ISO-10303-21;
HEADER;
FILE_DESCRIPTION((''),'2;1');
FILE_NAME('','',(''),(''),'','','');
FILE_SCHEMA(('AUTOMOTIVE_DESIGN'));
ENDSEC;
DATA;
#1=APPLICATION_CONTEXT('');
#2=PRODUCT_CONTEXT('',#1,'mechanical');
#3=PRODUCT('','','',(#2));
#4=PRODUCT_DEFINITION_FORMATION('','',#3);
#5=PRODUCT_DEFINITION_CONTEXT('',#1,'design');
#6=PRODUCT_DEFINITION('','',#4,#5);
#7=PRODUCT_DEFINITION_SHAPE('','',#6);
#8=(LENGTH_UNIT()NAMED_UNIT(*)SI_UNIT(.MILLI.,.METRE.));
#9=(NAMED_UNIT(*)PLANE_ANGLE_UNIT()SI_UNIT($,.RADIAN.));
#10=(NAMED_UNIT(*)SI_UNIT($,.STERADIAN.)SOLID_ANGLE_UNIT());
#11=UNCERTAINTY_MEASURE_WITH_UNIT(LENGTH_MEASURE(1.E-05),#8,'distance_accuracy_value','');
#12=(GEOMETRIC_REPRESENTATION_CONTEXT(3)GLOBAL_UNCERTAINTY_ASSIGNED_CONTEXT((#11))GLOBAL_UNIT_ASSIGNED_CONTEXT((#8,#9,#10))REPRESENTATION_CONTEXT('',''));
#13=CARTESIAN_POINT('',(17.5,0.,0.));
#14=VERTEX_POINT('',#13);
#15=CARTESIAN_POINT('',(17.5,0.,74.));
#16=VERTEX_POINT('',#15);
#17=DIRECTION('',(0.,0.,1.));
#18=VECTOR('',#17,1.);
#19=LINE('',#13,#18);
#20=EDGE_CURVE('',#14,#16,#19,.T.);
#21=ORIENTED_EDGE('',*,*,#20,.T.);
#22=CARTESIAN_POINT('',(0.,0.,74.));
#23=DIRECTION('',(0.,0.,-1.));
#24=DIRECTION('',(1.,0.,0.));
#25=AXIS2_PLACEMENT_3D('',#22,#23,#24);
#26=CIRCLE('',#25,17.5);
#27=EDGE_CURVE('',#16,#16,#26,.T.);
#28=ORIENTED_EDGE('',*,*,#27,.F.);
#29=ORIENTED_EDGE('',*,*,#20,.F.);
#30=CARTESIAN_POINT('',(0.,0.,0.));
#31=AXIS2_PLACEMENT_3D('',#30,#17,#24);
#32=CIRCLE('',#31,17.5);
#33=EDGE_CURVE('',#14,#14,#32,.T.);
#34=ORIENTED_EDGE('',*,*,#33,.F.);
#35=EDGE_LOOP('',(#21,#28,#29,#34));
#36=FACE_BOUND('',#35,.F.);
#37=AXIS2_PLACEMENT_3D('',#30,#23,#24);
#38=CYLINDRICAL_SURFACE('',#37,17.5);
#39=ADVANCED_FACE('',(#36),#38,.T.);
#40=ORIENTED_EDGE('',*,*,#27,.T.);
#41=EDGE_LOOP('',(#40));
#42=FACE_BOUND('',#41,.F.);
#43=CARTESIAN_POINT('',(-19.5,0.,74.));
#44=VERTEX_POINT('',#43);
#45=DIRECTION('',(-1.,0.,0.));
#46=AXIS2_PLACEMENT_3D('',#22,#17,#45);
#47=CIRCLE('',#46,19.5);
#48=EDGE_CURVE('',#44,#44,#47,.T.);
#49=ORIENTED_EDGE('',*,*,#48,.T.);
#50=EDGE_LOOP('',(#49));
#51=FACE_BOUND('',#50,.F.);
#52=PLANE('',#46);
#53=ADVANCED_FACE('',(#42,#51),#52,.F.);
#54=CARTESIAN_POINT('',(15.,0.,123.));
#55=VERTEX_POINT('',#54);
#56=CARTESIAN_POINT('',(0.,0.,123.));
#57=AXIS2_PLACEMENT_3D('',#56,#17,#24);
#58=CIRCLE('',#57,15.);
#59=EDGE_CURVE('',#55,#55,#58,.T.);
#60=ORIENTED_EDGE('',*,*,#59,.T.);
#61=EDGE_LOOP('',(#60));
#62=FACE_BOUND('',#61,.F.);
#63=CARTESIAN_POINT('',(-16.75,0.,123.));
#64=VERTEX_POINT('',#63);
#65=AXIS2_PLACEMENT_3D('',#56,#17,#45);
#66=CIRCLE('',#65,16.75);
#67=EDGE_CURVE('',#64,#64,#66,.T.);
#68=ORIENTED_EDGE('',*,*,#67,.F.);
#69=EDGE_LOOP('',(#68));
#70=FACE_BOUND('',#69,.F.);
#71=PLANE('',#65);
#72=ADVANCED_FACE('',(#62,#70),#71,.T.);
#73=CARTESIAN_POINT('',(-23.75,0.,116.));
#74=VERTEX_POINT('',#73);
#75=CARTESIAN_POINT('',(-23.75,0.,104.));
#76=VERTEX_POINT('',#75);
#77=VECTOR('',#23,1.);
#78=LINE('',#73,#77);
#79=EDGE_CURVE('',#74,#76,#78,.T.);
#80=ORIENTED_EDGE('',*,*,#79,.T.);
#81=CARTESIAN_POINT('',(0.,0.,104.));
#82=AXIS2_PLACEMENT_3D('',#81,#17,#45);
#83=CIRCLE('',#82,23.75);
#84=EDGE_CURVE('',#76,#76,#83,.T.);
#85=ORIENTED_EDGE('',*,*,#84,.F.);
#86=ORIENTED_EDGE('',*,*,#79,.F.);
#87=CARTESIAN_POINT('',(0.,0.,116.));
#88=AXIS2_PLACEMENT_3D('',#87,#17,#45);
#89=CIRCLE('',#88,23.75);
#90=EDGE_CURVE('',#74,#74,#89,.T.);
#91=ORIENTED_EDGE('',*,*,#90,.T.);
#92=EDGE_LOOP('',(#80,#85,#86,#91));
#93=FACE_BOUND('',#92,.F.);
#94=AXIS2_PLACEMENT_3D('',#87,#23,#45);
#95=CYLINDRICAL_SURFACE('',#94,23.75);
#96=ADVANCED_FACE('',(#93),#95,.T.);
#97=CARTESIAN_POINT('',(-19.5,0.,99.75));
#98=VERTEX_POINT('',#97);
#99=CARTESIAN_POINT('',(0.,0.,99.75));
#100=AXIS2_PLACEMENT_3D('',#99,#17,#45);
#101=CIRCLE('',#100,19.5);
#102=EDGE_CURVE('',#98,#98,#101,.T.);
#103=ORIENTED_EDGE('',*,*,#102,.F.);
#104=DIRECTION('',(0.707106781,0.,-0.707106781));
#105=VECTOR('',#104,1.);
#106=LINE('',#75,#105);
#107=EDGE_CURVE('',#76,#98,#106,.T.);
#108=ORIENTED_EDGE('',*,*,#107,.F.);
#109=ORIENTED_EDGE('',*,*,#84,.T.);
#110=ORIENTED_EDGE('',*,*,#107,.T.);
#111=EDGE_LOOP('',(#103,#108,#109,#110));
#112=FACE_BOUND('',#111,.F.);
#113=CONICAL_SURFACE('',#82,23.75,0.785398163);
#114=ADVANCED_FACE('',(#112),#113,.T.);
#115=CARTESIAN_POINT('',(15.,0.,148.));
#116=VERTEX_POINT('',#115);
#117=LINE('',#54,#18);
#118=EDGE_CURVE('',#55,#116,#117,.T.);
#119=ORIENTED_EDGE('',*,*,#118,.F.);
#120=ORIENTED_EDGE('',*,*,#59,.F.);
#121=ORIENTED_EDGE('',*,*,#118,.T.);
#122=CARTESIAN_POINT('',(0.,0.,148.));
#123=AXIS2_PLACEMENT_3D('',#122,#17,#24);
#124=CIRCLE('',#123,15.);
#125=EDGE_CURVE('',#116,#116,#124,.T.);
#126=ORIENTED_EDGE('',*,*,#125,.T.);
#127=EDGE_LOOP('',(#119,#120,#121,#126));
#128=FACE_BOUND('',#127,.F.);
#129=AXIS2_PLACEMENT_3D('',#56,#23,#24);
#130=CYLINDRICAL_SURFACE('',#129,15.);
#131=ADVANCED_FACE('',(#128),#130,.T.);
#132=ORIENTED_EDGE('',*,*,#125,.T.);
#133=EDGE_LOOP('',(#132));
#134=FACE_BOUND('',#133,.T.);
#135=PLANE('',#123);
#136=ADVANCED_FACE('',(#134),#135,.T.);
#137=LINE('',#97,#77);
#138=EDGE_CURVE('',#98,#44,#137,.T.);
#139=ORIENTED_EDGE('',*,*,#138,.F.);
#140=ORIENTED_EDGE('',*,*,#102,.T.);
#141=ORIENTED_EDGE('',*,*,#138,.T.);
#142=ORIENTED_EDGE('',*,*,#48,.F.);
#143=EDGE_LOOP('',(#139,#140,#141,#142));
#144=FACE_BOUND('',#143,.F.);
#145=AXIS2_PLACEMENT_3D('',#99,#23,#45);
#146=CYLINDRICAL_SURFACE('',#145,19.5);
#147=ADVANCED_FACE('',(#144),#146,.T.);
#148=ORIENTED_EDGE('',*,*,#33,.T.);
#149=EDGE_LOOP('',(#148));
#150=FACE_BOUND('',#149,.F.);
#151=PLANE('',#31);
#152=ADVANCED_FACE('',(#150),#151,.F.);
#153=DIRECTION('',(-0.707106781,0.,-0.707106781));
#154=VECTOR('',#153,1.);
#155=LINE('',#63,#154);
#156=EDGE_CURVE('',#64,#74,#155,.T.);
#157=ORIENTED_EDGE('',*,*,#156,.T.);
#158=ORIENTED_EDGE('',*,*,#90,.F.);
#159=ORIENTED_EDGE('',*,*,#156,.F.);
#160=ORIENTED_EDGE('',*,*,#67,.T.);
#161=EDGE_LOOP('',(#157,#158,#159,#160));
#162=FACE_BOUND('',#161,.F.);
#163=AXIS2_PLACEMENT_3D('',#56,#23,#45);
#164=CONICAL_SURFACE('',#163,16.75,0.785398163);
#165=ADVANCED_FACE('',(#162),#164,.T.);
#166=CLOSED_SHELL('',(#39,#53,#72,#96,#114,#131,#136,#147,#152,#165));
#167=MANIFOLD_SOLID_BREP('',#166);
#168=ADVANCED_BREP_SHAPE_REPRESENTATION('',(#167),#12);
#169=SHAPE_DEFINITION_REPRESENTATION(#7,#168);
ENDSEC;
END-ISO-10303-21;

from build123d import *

# Parameters (mm, degrees)
F0_R     = 17.5
F1_DEPTH = 75
F4_R     = 15
F5_DEPTH = 25


with BuildPart() as f1:
    # F0 (on Top) → F1 (new body)
    with BuildSketch(Plane.XY):
        Circle(F0_R)
    extrude(amount=F1_DEPTH)

    # F2 (on Front) → F3 (revolve)
    with BuildSketch(Plane.XZ):
        Polygon((-19.5, 74), (0, 74), (0, 123), (-16.75, 123), (-23.75, 116), (-23.75, 104), (-19.5, 99.75), align=None)
    revolve(axis=Axis((0, 0, 40.698601), (0, 0, 1)))

    # F4 (on face) → F5 (join)
    with BuildSketch(Plane.XY.offset(123)):
        Circle(F4_R)
    extrude(amount=F5_DEPTH)


solid = f1.part
